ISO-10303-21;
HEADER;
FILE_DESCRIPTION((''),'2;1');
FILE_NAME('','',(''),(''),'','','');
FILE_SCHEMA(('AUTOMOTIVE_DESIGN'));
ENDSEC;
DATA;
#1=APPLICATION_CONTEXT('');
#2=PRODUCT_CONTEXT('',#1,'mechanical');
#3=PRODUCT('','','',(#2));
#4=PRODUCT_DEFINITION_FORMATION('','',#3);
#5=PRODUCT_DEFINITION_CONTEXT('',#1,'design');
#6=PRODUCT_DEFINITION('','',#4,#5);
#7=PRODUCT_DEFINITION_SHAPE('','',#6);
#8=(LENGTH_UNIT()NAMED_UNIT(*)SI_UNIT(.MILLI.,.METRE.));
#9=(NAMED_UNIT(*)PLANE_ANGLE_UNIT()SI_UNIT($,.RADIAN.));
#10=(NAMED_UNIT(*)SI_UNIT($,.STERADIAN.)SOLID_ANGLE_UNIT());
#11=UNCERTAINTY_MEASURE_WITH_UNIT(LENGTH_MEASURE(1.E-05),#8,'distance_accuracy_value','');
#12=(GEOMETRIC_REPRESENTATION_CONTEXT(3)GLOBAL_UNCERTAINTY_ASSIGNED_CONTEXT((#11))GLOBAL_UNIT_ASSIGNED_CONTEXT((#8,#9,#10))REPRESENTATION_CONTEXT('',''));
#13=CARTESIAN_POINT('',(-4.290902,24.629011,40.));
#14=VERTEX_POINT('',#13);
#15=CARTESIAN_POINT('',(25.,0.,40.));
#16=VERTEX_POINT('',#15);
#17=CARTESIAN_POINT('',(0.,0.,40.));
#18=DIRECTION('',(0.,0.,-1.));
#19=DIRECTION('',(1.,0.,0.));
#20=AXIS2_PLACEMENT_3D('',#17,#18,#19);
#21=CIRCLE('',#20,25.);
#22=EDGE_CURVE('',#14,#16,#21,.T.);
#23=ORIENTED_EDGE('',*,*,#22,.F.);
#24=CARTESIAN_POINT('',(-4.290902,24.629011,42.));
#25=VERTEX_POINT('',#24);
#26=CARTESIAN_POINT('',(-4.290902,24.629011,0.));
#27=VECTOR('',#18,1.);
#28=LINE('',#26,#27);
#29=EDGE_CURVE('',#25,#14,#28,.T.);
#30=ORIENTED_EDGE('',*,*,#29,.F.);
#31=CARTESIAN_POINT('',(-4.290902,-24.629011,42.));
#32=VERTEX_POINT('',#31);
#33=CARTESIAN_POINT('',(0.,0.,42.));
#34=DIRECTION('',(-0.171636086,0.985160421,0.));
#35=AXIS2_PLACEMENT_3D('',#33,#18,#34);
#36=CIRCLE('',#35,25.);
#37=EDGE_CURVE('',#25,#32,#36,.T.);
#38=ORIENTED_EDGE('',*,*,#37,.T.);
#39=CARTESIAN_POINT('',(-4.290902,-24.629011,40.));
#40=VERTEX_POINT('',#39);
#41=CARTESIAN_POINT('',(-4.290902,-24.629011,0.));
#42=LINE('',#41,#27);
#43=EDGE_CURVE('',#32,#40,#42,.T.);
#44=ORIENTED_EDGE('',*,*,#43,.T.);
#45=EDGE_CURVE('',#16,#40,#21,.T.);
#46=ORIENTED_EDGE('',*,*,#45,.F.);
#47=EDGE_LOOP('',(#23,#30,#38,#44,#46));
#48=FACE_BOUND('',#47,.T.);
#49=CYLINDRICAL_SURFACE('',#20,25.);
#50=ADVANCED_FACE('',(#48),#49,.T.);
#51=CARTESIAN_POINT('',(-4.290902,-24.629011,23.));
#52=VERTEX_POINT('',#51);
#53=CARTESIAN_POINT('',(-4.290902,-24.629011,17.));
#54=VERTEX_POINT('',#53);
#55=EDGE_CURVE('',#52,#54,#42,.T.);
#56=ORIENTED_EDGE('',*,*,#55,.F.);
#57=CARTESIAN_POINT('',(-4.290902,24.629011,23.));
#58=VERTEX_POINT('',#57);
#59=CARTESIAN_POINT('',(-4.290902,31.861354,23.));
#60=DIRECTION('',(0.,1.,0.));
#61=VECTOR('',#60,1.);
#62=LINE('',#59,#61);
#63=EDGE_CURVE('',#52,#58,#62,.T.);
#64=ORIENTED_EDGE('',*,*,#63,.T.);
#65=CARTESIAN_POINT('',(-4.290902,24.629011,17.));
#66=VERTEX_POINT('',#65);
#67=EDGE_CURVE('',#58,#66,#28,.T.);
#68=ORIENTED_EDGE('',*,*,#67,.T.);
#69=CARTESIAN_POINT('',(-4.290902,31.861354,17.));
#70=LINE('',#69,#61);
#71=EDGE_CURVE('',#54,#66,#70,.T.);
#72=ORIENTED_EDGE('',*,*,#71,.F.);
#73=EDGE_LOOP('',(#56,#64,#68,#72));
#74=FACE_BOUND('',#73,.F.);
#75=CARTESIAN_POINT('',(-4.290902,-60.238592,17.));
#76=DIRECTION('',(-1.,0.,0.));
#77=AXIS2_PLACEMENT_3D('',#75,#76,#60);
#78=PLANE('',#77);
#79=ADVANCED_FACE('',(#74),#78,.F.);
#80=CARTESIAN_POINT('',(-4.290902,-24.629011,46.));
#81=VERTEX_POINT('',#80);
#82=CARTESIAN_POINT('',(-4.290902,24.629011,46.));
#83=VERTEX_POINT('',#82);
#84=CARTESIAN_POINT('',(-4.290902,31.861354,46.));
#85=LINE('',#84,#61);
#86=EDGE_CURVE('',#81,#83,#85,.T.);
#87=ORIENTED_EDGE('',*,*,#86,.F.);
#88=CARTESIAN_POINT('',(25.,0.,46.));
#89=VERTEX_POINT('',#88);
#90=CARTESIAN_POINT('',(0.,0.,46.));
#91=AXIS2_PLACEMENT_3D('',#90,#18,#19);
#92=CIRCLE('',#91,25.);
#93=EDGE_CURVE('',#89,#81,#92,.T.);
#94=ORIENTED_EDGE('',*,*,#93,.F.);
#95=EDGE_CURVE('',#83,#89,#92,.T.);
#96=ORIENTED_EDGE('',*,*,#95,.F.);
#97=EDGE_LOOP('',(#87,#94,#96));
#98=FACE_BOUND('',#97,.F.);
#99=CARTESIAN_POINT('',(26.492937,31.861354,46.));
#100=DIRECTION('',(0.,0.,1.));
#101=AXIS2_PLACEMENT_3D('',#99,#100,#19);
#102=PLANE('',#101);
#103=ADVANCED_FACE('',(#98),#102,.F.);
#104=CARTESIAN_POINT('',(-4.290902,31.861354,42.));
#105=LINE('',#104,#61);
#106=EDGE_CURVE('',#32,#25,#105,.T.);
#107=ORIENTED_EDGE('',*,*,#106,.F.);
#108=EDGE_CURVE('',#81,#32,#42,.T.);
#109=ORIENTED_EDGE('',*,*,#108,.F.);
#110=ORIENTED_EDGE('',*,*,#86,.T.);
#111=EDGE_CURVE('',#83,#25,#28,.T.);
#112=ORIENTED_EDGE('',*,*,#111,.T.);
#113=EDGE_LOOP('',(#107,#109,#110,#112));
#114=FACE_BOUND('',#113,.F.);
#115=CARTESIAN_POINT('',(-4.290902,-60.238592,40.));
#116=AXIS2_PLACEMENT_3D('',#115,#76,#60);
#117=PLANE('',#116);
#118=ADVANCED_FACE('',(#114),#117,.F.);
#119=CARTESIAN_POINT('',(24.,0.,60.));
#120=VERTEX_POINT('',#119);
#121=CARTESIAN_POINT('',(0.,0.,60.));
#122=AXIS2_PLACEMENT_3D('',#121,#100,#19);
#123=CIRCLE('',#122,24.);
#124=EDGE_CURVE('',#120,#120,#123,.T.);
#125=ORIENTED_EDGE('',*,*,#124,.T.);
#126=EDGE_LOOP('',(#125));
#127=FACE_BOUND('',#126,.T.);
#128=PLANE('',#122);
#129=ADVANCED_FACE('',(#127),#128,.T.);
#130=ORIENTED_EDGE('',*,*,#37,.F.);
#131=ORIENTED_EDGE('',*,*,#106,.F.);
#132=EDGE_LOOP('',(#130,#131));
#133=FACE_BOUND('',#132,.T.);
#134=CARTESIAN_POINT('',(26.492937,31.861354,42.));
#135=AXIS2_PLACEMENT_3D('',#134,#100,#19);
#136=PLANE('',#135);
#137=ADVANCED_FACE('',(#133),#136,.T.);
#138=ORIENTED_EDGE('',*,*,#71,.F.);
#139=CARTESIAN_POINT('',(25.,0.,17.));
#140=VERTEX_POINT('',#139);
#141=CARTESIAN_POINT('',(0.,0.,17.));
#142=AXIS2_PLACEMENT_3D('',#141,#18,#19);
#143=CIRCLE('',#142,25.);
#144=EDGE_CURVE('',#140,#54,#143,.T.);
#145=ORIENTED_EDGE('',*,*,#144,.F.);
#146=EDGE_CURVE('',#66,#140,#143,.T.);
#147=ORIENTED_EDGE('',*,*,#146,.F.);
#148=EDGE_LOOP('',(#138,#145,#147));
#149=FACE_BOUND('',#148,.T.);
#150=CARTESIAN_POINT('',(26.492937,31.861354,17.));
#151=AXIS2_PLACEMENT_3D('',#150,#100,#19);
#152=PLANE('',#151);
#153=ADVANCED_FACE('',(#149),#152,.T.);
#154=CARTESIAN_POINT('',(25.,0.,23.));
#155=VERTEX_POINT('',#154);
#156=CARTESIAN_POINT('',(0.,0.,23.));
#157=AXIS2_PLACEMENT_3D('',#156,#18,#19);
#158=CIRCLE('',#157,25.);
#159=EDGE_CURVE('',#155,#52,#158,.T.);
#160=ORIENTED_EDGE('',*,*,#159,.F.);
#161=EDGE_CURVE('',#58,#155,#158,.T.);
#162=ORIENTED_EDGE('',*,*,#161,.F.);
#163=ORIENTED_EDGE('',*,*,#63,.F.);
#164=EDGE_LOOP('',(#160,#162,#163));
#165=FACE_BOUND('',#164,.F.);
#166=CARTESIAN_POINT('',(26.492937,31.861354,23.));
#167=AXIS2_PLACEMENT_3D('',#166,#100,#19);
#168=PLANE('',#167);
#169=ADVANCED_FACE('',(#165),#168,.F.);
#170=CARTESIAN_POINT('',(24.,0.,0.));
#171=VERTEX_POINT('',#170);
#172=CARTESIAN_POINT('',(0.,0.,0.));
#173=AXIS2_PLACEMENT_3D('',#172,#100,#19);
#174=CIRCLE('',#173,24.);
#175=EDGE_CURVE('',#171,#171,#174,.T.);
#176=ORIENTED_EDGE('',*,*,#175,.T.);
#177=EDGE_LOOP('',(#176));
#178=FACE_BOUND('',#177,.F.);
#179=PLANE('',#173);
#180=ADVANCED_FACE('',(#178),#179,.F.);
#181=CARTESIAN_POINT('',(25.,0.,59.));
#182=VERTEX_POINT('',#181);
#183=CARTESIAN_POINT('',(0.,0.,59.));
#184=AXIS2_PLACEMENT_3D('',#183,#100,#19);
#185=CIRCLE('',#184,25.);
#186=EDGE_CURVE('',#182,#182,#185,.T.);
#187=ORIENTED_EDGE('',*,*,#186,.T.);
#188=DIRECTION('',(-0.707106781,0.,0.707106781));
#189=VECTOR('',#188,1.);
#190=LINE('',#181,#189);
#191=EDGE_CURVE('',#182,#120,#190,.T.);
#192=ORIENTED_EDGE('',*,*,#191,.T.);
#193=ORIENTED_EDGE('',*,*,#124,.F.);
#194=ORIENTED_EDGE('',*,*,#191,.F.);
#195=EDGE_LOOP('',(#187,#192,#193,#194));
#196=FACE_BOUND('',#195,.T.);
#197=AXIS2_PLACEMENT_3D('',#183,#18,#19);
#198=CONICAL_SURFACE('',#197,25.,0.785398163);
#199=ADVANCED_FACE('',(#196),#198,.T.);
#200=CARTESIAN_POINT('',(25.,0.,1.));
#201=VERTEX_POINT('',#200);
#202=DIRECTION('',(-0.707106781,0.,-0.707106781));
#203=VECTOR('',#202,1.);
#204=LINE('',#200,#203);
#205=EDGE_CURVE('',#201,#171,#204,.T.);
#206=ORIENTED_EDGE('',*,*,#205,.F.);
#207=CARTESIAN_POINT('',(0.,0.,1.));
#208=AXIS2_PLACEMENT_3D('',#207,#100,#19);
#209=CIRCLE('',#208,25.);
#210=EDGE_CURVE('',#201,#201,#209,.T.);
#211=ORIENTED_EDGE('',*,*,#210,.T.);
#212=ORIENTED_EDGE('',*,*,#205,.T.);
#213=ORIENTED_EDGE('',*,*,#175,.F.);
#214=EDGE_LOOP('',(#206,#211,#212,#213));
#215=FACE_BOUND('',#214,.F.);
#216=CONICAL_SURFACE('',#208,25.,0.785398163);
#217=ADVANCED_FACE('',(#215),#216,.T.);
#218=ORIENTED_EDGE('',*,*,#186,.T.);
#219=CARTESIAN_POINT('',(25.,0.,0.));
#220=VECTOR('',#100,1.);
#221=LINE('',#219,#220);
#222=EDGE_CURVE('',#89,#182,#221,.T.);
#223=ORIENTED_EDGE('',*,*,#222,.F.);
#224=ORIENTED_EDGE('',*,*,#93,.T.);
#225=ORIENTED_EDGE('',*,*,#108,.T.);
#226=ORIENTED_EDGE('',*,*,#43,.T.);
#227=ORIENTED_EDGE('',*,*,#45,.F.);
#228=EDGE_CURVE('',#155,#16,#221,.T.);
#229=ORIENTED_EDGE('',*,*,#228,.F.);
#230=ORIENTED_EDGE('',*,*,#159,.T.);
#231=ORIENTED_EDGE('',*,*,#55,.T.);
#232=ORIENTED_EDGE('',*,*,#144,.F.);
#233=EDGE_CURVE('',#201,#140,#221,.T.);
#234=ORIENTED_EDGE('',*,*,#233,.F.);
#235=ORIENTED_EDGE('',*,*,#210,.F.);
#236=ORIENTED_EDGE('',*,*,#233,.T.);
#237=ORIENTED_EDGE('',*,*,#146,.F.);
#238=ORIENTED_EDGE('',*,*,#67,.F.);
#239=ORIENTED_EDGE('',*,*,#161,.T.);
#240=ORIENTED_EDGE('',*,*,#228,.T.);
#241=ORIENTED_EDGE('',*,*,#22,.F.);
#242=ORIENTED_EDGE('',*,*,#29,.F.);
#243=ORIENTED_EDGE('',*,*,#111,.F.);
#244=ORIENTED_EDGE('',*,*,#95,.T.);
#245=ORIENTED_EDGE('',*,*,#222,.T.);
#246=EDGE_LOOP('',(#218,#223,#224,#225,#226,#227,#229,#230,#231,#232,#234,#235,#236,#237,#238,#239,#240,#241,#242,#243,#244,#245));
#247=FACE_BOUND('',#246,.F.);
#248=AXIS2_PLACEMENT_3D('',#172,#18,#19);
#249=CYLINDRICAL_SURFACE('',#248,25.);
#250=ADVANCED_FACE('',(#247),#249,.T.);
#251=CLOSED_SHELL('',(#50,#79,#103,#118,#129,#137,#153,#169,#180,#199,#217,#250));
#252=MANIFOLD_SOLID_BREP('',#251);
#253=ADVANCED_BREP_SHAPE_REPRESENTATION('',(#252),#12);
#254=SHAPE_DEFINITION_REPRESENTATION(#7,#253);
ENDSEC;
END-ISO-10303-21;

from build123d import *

# Parameters (mm, degrees)
F0_R      = 25
F1_DEPTH  = 60
F2_W      = 61.5676790476
F2_H      = 184.1998919845
F3_DEPTH  = 6
F10_SIZE  = 1
F11_SIZE  = 1
F12_DEPTH = 2


with BuildPart() as f1:
    # F0 (on Top) → F1 (new body)
    with BuildSketch(Plane.XY):
        Circle(F0_R)
    extrude(amount=F1_DEPTH)


with BuildPart() as f3:
    # F2 (on Top) → F3 (new body)
    with BuildSketch(Plane.XY):
        with Locations((-161.507062614, 31.8613536656)):
            Rectangle(F2_W, F2_H)
    extrude(amount=F3_DEPTH)


with BuildPart() as f4_1:
    # F4: copy of F3
    add(f3.part.moved(Location((188, 0, 17))))


with BuildPart() as f5_1:
    # F5: copy of F4_1
    add(f4_1.part.moved(Location((0, 0, 17))))


with BuildPart() as f7_1:
    # F7: copy of F4_1
    add(f4_1.part.moved(Location((0, 0, 23))))


with BuildPart() as f1_1:
    add(f1.part)

    # F8: cut F4_1, F7_1
    add(f4_1.part, mode=Mode.SUBTRACT)
    add(f7_1.part, mode=Mode.SUBTRACT)

    # F10
    f10_edges = [f1_1.edges().sort_by_distance(p)[0] for p in [
        (-25, 0, 60),
    ]]
    chamfer(f10_edges, length=F10_SIZE)

    # F11
    f11_edges = [f1_1.edges().sort_by_distance(p)[0] for p in [
        (-25, 0, 0),
    ]]
    chamfer(f11_edges, length=F11_SIZE)

    # F12 (add): a face of the model
    f12_faces = [f1_1.faces().sort_by_distance(p)[0] for p in [
        (8.3329049889, 0, 40),
    ]]
    extrude(f12_faces, amount=F12_DEPTH)


solid = f1_1.part
